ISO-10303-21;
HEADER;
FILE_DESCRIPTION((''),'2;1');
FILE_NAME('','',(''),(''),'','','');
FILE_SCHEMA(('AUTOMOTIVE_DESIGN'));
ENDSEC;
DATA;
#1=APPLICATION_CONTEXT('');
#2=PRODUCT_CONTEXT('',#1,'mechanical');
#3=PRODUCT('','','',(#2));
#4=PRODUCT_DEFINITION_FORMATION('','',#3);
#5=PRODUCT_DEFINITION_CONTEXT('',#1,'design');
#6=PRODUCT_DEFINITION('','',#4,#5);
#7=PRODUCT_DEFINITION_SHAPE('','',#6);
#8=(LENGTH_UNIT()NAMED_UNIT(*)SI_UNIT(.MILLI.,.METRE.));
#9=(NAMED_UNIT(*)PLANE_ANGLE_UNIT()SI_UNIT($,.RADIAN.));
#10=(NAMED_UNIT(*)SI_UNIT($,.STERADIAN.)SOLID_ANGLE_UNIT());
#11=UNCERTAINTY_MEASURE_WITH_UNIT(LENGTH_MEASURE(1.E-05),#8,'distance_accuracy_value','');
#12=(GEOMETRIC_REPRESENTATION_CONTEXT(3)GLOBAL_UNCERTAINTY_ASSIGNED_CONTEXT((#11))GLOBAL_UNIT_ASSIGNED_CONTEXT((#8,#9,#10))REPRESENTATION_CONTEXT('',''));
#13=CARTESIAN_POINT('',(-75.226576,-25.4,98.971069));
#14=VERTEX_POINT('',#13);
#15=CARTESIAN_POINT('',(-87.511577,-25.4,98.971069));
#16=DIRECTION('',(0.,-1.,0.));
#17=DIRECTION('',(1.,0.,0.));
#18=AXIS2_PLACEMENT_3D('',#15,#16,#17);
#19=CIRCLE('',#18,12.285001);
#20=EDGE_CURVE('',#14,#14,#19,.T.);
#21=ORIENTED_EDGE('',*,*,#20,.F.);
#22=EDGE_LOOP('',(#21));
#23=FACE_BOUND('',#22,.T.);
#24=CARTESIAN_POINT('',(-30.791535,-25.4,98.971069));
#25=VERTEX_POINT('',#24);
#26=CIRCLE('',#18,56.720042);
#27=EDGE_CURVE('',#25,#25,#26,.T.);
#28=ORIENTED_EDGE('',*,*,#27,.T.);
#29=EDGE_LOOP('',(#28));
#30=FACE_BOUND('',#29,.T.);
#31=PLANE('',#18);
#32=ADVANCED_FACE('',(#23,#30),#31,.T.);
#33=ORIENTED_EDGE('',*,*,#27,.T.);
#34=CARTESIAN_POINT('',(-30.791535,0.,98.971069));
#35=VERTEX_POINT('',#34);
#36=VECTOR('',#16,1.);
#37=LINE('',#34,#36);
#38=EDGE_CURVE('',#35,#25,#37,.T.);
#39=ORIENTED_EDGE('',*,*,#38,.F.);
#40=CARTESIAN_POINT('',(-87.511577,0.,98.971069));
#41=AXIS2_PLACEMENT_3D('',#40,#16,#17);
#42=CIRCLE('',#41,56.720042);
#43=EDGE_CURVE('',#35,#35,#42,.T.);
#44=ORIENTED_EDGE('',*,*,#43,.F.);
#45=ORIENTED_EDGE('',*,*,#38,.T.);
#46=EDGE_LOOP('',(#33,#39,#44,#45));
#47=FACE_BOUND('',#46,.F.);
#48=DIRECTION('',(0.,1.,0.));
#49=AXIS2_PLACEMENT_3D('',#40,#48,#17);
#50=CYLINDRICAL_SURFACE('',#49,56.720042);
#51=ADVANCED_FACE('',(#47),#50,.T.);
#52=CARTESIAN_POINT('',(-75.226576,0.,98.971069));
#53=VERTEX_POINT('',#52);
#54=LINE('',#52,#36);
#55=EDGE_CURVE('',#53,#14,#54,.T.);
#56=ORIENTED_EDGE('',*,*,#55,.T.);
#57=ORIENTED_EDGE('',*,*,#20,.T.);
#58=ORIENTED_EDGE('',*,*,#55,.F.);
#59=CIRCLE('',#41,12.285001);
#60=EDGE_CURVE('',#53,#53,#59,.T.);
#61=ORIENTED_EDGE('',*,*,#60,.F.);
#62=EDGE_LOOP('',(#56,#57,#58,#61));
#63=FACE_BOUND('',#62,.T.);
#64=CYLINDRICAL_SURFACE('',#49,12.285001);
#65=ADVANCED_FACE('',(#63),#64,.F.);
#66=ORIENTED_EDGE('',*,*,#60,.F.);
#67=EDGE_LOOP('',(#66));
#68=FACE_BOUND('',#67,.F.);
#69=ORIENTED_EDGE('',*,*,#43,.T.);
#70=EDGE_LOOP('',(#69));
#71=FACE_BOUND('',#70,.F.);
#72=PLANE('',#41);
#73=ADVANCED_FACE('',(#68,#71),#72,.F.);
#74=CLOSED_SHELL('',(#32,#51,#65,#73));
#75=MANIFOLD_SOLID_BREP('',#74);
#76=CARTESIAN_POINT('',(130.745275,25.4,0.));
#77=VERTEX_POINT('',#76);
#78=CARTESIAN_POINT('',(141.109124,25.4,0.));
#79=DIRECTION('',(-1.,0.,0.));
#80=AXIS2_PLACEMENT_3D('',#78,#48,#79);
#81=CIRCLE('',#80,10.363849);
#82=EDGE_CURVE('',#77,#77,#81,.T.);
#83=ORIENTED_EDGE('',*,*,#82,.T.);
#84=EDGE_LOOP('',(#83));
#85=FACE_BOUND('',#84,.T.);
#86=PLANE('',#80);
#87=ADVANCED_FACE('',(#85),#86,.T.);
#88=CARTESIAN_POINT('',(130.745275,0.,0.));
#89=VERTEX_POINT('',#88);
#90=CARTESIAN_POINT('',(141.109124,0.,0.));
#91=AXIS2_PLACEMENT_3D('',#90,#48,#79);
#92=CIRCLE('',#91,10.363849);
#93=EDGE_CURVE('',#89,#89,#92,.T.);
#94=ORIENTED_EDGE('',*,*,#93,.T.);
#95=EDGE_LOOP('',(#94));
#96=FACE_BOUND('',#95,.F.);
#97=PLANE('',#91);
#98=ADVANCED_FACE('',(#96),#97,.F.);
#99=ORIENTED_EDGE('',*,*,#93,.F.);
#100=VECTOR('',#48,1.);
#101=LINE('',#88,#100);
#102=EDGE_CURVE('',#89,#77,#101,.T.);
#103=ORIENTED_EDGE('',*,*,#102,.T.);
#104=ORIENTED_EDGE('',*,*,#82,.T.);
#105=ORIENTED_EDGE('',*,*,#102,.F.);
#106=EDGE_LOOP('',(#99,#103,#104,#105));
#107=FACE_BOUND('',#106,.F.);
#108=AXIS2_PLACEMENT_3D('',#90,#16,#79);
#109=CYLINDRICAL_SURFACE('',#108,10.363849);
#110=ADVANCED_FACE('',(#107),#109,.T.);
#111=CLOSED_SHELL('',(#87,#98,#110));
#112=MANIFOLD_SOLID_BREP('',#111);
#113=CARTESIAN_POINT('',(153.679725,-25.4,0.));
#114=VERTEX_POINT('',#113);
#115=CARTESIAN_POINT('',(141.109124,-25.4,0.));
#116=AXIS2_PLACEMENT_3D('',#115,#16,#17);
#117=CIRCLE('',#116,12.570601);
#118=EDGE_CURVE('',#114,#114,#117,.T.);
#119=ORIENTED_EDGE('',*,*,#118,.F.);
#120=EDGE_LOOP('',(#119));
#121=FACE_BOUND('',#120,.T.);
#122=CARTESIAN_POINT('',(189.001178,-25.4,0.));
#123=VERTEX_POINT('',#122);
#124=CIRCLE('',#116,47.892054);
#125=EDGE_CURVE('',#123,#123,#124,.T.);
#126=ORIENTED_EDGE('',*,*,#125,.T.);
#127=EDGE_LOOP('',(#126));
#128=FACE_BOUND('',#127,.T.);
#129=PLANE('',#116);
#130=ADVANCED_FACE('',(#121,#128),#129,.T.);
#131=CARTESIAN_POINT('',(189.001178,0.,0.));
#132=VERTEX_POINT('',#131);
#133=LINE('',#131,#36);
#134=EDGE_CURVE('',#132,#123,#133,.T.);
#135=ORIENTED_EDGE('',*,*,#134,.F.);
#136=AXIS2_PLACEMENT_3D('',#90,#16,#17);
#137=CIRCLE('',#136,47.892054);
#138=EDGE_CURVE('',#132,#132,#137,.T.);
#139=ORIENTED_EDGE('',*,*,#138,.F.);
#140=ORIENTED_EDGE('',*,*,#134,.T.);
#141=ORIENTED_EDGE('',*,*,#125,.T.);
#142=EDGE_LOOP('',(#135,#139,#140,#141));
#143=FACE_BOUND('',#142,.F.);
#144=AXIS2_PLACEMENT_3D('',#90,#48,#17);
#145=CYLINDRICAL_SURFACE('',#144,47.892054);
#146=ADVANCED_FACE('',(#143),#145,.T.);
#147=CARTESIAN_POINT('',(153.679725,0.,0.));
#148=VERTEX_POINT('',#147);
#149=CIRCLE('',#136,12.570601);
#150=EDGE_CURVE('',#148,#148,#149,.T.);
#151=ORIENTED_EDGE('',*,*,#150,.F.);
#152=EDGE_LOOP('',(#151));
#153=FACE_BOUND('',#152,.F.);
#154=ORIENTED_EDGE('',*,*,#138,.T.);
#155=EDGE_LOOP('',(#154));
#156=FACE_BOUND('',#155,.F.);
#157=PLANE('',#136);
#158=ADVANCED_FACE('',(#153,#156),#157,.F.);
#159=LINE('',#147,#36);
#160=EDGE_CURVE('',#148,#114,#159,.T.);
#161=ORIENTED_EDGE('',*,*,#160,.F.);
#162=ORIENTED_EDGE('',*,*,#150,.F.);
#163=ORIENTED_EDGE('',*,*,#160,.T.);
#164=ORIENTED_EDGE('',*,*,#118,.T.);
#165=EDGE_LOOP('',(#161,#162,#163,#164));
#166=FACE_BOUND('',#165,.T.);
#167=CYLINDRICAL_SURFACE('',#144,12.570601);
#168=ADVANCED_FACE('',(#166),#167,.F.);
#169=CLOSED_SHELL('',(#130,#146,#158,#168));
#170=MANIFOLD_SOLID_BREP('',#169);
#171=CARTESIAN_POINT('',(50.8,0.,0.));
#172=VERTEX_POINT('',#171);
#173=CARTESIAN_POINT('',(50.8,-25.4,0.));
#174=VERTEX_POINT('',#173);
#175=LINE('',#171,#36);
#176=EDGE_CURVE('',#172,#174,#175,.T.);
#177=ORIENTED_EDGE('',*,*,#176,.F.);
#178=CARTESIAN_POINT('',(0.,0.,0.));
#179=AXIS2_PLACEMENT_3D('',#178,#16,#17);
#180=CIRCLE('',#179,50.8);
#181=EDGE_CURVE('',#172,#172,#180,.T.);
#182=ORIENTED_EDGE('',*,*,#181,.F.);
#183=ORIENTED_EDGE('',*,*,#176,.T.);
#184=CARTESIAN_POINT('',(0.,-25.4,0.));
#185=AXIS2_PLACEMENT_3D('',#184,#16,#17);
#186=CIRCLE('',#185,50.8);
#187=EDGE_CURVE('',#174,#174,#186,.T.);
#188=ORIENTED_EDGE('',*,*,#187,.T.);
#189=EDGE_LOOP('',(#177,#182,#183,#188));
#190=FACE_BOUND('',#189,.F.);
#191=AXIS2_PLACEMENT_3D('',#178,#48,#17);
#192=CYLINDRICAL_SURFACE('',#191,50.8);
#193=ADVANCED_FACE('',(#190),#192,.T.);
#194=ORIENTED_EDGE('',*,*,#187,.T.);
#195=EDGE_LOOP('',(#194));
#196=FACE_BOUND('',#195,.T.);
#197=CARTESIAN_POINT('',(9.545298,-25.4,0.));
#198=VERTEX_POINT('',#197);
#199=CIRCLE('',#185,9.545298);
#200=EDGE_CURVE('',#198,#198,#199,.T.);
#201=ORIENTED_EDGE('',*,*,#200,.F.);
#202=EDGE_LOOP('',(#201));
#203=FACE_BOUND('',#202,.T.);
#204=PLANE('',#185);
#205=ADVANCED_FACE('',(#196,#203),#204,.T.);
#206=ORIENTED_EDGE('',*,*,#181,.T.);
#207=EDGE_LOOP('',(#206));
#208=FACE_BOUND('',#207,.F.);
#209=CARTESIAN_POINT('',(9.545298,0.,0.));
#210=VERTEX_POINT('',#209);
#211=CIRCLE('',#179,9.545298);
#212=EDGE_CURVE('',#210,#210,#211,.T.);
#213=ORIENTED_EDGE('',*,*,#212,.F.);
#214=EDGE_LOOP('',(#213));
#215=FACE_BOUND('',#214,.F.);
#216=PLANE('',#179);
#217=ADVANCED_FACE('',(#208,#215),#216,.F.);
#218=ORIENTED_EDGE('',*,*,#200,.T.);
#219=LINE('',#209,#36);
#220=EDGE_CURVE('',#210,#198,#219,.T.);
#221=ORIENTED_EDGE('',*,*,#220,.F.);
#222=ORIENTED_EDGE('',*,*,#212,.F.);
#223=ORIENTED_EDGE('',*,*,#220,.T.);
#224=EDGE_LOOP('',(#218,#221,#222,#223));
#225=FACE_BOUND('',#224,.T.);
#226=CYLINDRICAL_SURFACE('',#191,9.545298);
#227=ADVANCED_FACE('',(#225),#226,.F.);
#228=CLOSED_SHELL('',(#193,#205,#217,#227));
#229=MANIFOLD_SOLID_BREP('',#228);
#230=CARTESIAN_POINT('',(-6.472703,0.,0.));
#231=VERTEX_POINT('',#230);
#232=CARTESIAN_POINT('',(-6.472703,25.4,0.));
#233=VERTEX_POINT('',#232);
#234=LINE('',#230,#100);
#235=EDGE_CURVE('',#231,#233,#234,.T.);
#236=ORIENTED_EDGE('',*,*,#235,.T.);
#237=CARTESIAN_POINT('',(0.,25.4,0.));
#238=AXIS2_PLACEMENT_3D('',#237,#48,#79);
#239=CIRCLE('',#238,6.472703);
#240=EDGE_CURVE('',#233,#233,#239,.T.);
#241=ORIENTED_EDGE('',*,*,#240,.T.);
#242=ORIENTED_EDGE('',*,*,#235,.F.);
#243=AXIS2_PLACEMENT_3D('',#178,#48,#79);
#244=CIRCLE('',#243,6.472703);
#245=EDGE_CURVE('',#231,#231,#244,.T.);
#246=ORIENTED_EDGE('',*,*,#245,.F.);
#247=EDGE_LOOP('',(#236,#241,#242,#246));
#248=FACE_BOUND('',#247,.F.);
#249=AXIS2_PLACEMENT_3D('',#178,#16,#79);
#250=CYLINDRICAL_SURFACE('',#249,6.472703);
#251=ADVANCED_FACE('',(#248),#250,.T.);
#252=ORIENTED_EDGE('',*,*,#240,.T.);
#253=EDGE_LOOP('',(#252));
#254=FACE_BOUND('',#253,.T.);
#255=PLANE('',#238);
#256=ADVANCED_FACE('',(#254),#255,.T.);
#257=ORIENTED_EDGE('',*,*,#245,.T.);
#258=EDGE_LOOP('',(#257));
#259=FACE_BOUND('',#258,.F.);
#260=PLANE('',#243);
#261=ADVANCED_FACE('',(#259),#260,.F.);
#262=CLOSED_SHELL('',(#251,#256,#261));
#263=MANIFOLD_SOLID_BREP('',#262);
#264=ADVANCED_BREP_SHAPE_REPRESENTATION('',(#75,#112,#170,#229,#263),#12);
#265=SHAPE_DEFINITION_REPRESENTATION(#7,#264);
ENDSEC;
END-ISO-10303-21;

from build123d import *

# Parameters (mm, degrees)
F0_R     = 50.8
F0_R_2   = 9.545298
F1_DEPTH = 25.4
F2_R     = 56.720042
F2_R_2   = 12.285001
F3_DEPTH = 25.4
F4_R     = 47.892054
F4_R_2   = 12.570601
F5_DEPTH = 25.4
F6_R     = 10.363849
F7_DEPTH = 25.4
F8_R     = 6.472703
F9_DEPTH = 25.4


with BuildPart() as f1:
    # F0 (on Front) → F1 (new body)
    with BuildSketch(Plane.XZ):
        Circle(F0_R)
        Circle(F0_R_2, mode=Mode.SUBTRACT)
    extrude(amount=F1_DEPTH)


with BuildPart() as f3:
    # F2 (on Front) → F3 (new body)
    with BuildSketch(Plane.XZ):
        with Locations((-87.511577, 98.971069)):
            Circle(F2_R)
        with Locations((-87.511577, 98.971069)):
            Circle(F2_R_2, mode=Mode.SUBTRACT)
    extrude(amount=F3_DEPTH)


with BuildPart() as f5:
    # F4 (on Front) → F5 (new body)
    with BuildSketch(Plane.XZ):
        with Locations((141.109124, 0)):
            Circle(F4_R)
        with Locations((141.109124, 0)):
            Circle(F4_R_2, mode=Mode.SUBTRACT)
    extrude(amount=F5_DEPTH)


with BuildPart() as f7:
    # F6 (on face) → F7 (new body)
    with BuildSketch(Plane(origin=(0, 0, 0), x_dir=(-1, 0, 0), z_dir=(0, 1, 0))):
        with Locations((-141.109124, 0)):
            Circle(F6_R)
    extrude(amount=F7_DEPTH)


with BuildPart() as f9:
    # F8 (on face) → F9 (new body)
    with BuildSketch(Plane(origin=(0, 0, 0), x_dir=(-1, 0, 0), z_dir=(0, 1, 0))):
        Circle(F8_R)
    extrude(amount=F9_DEPTH)


solid = Compound([f1.part, f3.part, f5.part, f7.part, f9.part])
